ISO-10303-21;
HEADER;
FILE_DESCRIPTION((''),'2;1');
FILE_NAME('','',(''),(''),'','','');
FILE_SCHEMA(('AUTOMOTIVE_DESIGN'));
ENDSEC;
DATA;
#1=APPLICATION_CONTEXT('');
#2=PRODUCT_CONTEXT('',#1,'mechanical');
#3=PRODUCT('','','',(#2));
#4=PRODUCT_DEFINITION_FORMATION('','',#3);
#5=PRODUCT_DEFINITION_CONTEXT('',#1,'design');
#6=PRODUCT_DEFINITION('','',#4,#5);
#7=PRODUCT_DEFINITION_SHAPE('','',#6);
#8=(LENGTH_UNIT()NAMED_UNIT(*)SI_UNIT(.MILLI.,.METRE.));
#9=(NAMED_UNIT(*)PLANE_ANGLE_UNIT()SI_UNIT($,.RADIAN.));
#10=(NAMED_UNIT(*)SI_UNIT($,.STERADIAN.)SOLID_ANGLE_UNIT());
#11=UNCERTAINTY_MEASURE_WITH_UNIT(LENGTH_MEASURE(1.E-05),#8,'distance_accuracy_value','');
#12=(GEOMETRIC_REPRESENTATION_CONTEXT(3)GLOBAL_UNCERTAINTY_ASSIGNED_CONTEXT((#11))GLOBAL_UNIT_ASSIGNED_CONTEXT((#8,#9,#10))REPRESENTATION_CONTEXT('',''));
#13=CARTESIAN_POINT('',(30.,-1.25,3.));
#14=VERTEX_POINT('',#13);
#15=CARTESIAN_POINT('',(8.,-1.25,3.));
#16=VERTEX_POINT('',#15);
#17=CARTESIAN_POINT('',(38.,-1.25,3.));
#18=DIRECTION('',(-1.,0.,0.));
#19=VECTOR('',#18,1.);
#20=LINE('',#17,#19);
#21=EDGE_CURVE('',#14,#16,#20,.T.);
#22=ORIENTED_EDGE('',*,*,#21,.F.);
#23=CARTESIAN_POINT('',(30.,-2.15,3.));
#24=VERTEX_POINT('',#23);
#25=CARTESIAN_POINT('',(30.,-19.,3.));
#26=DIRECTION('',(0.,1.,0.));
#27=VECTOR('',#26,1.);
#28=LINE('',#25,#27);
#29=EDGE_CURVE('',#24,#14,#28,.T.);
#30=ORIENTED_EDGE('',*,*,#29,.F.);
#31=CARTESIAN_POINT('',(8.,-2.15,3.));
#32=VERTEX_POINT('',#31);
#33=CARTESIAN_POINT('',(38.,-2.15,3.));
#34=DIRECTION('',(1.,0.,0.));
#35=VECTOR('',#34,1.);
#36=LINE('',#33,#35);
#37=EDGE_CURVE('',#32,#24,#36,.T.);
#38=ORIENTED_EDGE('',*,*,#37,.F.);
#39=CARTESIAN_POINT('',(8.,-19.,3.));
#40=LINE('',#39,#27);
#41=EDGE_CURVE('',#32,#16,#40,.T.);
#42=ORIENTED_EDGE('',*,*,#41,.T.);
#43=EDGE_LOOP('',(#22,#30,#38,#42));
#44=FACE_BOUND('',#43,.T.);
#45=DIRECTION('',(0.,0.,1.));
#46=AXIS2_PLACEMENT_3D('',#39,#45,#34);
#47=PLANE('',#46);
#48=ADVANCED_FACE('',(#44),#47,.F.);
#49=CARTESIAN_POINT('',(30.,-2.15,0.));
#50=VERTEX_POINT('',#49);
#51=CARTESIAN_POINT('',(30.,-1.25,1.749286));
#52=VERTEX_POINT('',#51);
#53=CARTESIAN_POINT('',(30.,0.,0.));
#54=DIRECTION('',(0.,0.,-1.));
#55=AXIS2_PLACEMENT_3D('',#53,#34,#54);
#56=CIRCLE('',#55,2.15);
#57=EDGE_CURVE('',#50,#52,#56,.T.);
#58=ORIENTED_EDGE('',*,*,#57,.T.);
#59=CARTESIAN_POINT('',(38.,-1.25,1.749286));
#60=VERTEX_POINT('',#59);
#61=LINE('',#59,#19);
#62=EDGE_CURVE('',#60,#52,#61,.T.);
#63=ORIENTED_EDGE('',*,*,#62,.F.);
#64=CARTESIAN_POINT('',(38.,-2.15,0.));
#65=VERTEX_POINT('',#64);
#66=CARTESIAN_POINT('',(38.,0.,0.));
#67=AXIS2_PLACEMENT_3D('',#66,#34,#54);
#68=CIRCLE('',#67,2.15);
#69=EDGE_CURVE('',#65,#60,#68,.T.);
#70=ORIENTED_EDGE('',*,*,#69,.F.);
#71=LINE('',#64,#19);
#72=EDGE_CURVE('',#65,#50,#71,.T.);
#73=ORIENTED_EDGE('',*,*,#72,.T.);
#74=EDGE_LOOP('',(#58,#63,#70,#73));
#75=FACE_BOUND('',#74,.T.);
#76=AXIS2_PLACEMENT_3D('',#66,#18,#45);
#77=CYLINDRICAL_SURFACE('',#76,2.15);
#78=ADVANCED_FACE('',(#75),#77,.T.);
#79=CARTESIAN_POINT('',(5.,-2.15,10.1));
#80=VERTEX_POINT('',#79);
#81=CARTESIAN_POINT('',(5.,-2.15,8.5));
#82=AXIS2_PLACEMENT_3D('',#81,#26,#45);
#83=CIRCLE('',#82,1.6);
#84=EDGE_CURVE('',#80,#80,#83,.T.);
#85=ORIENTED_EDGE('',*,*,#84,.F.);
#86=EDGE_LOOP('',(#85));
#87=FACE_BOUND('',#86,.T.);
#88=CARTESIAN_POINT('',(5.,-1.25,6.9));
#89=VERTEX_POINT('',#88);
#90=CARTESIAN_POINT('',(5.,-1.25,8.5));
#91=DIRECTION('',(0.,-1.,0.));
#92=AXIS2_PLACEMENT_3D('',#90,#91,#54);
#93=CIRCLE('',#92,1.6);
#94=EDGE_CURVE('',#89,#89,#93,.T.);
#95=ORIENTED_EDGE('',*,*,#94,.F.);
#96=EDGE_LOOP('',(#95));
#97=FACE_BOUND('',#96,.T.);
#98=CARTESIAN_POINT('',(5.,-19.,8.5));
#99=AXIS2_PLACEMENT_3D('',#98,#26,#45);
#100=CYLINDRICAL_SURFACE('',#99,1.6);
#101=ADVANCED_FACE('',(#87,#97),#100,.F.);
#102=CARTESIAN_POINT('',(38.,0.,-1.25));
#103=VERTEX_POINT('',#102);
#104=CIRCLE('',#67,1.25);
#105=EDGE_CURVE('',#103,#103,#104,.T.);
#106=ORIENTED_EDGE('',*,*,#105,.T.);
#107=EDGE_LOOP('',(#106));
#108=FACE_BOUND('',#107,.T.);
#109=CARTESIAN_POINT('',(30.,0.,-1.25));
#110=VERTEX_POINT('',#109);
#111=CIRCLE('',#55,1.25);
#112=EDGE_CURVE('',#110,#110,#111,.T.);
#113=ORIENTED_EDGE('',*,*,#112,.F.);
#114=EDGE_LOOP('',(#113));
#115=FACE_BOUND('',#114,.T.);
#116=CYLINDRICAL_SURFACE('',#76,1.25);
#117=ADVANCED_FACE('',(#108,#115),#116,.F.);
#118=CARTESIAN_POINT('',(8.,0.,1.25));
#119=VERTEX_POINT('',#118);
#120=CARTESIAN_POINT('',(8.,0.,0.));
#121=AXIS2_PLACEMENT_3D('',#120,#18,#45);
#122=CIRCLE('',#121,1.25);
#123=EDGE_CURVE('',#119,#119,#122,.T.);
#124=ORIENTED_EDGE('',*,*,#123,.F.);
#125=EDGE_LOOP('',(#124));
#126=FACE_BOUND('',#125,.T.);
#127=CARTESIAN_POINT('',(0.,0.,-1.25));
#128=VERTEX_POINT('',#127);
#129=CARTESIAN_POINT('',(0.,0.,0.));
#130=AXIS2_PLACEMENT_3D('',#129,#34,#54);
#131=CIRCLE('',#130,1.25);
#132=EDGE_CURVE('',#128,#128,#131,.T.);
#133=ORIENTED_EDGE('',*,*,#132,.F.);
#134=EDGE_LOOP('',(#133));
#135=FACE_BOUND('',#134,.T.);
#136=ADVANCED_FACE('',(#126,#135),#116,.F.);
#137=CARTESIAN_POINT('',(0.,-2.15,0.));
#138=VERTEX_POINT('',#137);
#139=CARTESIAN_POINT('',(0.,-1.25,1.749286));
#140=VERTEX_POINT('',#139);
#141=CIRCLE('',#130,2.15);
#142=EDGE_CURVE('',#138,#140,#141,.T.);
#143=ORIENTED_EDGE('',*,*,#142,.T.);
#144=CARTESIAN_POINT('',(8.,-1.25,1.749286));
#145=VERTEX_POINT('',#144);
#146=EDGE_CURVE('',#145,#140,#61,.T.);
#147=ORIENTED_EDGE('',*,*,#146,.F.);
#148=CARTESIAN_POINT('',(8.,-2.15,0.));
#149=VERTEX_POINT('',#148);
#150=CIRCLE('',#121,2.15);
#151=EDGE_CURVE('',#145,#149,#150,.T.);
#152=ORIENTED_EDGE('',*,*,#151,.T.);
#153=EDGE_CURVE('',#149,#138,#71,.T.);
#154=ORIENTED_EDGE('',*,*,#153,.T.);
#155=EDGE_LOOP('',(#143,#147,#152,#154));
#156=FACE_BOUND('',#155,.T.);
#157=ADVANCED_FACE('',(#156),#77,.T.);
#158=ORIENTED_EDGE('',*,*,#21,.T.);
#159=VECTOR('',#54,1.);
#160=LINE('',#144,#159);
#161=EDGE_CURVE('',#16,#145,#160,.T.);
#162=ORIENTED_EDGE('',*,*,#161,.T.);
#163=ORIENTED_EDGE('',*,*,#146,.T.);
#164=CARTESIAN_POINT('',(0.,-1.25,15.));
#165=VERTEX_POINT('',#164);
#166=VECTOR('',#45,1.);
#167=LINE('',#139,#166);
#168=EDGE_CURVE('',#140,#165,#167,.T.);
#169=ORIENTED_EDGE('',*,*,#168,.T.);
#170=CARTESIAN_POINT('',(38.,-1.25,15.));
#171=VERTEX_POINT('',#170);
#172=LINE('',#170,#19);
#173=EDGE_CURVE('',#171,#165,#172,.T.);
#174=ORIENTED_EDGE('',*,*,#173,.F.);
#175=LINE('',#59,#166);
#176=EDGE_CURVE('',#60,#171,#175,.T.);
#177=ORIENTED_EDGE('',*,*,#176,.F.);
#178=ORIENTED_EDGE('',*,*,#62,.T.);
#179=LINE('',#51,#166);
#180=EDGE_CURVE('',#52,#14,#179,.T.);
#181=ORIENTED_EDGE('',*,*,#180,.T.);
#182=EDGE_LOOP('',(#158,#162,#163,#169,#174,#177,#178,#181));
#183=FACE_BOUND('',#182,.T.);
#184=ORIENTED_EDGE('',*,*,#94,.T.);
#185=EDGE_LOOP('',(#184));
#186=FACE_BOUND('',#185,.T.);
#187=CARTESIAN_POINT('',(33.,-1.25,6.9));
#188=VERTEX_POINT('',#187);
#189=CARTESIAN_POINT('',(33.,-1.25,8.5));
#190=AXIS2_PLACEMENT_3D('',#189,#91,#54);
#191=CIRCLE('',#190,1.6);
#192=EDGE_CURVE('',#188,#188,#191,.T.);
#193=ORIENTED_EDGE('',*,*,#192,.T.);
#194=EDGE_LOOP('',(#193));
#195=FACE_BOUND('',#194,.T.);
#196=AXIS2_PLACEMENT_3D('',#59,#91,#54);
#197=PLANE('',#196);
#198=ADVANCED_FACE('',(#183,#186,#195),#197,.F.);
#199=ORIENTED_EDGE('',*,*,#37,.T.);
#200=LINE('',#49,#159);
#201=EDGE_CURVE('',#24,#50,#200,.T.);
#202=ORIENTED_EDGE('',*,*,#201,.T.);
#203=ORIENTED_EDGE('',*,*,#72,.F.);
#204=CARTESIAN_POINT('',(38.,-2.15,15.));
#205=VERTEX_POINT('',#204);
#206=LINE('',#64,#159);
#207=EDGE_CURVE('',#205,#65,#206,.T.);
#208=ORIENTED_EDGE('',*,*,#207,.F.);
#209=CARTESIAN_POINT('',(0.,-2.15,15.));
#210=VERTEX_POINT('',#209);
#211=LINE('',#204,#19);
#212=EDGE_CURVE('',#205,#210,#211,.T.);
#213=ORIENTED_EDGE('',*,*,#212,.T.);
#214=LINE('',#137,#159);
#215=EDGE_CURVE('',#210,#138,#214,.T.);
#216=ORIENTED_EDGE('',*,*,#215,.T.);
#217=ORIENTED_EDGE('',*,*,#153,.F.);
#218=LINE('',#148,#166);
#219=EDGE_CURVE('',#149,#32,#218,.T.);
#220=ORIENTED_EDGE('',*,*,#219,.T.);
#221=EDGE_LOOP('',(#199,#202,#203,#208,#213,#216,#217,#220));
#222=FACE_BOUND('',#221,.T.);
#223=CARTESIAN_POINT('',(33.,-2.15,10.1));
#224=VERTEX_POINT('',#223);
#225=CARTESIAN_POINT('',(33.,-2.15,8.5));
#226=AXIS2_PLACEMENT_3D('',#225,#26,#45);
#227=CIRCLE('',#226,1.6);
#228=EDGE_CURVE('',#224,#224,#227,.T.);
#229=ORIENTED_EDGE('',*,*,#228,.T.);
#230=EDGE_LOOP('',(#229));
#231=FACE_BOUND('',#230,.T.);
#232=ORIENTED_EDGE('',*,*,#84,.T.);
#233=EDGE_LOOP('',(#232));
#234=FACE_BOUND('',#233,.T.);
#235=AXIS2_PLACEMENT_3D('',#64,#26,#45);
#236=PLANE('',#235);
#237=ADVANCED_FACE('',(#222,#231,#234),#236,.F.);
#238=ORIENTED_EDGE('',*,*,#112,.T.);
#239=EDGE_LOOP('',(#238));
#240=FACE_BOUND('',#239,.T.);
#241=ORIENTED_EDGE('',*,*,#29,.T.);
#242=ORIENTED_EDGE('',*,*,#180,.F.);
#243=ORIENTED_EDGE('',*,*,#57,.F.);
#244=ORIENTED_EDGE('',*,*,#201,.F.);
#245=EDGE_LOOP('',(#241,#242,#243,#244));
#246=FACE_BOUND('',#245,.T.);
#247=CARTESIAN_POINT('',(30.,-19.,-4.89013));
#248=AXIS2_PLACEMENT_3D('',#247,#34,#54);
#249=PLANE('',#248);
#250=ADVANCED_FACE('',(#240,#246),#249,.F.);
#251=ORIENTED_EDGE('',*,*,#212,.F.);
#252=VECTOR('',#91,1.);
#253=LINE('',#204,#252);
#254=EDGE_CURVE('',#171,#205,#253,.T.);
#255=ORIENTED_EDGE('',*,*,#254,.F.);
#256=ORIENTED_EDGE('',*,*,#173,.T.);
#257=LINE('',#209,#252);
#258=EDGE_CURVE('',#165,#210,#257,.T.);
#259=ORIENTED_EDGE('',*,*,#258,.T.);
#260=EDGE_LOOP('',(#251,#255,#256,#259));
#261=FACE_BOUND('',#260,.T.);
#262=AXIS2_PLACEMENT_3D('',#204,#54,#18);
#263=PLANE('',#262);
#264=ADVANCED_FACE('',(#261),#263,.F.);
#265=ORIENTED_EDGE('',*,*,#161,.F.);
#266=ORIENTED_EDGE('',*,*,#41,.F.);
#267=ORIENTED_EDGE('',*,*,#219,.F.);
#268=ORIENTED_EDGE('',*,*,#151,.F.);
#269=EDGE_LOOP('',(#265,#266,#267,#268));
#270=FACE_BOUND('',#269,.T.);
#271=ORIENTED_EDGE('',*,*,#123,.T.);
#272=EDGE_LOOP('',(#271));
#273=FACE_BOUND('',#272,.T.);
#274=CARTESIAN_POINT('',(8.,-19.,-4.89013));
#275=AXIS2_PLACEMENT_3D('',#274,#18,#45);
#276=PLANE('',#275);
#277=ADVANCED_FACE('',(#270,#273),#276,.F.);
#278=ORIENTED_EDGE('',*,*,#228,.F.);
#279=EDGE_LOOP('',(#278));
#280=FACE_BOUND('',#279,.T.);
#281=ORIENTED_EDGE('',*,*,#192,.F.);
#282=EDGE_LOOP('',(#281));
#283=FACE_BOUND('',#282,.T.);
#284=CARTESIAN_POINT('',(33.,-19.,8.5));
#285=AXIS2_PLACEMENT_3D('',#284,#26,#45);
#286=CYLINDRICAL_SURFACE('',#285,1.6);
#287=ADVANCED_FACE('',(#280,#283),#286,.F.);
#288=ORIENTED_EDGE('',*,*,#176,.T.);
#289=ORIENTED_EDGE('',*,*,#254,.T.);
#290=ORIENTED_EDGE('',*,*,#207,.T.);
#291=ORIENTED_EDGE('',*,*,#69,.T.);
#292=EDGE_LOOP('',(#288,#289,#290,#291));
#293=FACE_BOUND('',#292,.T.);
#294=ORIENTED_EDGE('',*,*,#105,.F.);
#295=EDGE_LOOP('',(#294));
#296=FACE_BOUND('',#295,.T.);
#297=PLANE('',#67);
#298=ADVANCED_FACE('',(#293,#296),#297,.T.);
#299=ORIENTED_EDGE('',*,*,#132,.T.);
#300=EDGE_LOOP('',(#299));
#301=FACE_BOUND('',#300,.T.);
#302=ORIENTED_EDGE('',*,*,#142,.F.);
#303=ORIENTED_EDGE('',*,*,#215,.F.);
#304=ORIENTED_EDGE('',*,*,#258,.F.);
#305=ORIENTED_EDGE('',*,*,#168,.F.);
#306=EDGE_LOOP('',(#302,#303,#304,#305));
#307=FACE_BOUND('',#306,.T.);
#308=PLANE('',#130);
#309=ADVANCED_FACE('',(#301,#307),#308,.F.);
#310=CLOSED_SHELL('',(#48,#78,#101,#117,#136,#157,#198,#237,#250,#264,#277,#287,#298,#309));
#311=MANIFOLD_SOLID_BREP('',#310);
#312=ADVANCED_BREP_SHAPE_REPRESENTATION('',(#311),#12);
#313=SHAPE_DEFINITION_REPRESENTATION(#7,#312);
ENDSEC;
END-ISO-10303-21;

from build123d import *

# Parameters (mm, degrees)
SKETCH_1_R          = 1.25
EXTRUDE_1_DEPTH     = 38
SKETCH_2_R          = 1.6
SKETCH_2_W          = 22
SKETCH_2_H          = 7.890130192
CUT_EXTRUDE_1_DEPTH = 19


with BuildPart() as part:
    # 草图1 → 凸台-拉伸1 (new body)
    with BuildSketch(Plane(origin=(0, 0, 0), x_dir=(0, 0, -1), z_dir=(1, 0, 0))):
        with BuildLine():
            Line((0, -2.15), (-15, -2.15))
            Line((-15, -2.15), (-15, -1.25))
            Line((-15, -1.25), (-1.749285568, -1.25))
            ThreePointArc((-1.749285568, -1.25), (0.983615779, 1.911805429), (0, -2.15))
        make_face()
        Circle(SKETCH_1_R, mode=Mode.SUBTRACT)
    extrude(amount=EXTRUDE_1_DEPTH)

    # 草图2 → 切除-拉伸1 (cut, symmetric)
    with BuildSketch(Plane(origin=(0, 0, 0), x_dir=(1, 0, 0), z_dir=(0, 1, 0))):
        with Locations((33, -8.5)):
            Circle(SKETCH_2_R)
        with Locations((5, -8.5)):
            Circle(SKETCH_2_R)
        with Locations((19, 0.945065096)):
            Rectangle(SKETCH_2_W, SKETCH_2_H)
    extrude(amount=CUT_EXTRUDE_1_DEPTH, both=True, mode=Mode.SUBTRACT)


solid = part.part
